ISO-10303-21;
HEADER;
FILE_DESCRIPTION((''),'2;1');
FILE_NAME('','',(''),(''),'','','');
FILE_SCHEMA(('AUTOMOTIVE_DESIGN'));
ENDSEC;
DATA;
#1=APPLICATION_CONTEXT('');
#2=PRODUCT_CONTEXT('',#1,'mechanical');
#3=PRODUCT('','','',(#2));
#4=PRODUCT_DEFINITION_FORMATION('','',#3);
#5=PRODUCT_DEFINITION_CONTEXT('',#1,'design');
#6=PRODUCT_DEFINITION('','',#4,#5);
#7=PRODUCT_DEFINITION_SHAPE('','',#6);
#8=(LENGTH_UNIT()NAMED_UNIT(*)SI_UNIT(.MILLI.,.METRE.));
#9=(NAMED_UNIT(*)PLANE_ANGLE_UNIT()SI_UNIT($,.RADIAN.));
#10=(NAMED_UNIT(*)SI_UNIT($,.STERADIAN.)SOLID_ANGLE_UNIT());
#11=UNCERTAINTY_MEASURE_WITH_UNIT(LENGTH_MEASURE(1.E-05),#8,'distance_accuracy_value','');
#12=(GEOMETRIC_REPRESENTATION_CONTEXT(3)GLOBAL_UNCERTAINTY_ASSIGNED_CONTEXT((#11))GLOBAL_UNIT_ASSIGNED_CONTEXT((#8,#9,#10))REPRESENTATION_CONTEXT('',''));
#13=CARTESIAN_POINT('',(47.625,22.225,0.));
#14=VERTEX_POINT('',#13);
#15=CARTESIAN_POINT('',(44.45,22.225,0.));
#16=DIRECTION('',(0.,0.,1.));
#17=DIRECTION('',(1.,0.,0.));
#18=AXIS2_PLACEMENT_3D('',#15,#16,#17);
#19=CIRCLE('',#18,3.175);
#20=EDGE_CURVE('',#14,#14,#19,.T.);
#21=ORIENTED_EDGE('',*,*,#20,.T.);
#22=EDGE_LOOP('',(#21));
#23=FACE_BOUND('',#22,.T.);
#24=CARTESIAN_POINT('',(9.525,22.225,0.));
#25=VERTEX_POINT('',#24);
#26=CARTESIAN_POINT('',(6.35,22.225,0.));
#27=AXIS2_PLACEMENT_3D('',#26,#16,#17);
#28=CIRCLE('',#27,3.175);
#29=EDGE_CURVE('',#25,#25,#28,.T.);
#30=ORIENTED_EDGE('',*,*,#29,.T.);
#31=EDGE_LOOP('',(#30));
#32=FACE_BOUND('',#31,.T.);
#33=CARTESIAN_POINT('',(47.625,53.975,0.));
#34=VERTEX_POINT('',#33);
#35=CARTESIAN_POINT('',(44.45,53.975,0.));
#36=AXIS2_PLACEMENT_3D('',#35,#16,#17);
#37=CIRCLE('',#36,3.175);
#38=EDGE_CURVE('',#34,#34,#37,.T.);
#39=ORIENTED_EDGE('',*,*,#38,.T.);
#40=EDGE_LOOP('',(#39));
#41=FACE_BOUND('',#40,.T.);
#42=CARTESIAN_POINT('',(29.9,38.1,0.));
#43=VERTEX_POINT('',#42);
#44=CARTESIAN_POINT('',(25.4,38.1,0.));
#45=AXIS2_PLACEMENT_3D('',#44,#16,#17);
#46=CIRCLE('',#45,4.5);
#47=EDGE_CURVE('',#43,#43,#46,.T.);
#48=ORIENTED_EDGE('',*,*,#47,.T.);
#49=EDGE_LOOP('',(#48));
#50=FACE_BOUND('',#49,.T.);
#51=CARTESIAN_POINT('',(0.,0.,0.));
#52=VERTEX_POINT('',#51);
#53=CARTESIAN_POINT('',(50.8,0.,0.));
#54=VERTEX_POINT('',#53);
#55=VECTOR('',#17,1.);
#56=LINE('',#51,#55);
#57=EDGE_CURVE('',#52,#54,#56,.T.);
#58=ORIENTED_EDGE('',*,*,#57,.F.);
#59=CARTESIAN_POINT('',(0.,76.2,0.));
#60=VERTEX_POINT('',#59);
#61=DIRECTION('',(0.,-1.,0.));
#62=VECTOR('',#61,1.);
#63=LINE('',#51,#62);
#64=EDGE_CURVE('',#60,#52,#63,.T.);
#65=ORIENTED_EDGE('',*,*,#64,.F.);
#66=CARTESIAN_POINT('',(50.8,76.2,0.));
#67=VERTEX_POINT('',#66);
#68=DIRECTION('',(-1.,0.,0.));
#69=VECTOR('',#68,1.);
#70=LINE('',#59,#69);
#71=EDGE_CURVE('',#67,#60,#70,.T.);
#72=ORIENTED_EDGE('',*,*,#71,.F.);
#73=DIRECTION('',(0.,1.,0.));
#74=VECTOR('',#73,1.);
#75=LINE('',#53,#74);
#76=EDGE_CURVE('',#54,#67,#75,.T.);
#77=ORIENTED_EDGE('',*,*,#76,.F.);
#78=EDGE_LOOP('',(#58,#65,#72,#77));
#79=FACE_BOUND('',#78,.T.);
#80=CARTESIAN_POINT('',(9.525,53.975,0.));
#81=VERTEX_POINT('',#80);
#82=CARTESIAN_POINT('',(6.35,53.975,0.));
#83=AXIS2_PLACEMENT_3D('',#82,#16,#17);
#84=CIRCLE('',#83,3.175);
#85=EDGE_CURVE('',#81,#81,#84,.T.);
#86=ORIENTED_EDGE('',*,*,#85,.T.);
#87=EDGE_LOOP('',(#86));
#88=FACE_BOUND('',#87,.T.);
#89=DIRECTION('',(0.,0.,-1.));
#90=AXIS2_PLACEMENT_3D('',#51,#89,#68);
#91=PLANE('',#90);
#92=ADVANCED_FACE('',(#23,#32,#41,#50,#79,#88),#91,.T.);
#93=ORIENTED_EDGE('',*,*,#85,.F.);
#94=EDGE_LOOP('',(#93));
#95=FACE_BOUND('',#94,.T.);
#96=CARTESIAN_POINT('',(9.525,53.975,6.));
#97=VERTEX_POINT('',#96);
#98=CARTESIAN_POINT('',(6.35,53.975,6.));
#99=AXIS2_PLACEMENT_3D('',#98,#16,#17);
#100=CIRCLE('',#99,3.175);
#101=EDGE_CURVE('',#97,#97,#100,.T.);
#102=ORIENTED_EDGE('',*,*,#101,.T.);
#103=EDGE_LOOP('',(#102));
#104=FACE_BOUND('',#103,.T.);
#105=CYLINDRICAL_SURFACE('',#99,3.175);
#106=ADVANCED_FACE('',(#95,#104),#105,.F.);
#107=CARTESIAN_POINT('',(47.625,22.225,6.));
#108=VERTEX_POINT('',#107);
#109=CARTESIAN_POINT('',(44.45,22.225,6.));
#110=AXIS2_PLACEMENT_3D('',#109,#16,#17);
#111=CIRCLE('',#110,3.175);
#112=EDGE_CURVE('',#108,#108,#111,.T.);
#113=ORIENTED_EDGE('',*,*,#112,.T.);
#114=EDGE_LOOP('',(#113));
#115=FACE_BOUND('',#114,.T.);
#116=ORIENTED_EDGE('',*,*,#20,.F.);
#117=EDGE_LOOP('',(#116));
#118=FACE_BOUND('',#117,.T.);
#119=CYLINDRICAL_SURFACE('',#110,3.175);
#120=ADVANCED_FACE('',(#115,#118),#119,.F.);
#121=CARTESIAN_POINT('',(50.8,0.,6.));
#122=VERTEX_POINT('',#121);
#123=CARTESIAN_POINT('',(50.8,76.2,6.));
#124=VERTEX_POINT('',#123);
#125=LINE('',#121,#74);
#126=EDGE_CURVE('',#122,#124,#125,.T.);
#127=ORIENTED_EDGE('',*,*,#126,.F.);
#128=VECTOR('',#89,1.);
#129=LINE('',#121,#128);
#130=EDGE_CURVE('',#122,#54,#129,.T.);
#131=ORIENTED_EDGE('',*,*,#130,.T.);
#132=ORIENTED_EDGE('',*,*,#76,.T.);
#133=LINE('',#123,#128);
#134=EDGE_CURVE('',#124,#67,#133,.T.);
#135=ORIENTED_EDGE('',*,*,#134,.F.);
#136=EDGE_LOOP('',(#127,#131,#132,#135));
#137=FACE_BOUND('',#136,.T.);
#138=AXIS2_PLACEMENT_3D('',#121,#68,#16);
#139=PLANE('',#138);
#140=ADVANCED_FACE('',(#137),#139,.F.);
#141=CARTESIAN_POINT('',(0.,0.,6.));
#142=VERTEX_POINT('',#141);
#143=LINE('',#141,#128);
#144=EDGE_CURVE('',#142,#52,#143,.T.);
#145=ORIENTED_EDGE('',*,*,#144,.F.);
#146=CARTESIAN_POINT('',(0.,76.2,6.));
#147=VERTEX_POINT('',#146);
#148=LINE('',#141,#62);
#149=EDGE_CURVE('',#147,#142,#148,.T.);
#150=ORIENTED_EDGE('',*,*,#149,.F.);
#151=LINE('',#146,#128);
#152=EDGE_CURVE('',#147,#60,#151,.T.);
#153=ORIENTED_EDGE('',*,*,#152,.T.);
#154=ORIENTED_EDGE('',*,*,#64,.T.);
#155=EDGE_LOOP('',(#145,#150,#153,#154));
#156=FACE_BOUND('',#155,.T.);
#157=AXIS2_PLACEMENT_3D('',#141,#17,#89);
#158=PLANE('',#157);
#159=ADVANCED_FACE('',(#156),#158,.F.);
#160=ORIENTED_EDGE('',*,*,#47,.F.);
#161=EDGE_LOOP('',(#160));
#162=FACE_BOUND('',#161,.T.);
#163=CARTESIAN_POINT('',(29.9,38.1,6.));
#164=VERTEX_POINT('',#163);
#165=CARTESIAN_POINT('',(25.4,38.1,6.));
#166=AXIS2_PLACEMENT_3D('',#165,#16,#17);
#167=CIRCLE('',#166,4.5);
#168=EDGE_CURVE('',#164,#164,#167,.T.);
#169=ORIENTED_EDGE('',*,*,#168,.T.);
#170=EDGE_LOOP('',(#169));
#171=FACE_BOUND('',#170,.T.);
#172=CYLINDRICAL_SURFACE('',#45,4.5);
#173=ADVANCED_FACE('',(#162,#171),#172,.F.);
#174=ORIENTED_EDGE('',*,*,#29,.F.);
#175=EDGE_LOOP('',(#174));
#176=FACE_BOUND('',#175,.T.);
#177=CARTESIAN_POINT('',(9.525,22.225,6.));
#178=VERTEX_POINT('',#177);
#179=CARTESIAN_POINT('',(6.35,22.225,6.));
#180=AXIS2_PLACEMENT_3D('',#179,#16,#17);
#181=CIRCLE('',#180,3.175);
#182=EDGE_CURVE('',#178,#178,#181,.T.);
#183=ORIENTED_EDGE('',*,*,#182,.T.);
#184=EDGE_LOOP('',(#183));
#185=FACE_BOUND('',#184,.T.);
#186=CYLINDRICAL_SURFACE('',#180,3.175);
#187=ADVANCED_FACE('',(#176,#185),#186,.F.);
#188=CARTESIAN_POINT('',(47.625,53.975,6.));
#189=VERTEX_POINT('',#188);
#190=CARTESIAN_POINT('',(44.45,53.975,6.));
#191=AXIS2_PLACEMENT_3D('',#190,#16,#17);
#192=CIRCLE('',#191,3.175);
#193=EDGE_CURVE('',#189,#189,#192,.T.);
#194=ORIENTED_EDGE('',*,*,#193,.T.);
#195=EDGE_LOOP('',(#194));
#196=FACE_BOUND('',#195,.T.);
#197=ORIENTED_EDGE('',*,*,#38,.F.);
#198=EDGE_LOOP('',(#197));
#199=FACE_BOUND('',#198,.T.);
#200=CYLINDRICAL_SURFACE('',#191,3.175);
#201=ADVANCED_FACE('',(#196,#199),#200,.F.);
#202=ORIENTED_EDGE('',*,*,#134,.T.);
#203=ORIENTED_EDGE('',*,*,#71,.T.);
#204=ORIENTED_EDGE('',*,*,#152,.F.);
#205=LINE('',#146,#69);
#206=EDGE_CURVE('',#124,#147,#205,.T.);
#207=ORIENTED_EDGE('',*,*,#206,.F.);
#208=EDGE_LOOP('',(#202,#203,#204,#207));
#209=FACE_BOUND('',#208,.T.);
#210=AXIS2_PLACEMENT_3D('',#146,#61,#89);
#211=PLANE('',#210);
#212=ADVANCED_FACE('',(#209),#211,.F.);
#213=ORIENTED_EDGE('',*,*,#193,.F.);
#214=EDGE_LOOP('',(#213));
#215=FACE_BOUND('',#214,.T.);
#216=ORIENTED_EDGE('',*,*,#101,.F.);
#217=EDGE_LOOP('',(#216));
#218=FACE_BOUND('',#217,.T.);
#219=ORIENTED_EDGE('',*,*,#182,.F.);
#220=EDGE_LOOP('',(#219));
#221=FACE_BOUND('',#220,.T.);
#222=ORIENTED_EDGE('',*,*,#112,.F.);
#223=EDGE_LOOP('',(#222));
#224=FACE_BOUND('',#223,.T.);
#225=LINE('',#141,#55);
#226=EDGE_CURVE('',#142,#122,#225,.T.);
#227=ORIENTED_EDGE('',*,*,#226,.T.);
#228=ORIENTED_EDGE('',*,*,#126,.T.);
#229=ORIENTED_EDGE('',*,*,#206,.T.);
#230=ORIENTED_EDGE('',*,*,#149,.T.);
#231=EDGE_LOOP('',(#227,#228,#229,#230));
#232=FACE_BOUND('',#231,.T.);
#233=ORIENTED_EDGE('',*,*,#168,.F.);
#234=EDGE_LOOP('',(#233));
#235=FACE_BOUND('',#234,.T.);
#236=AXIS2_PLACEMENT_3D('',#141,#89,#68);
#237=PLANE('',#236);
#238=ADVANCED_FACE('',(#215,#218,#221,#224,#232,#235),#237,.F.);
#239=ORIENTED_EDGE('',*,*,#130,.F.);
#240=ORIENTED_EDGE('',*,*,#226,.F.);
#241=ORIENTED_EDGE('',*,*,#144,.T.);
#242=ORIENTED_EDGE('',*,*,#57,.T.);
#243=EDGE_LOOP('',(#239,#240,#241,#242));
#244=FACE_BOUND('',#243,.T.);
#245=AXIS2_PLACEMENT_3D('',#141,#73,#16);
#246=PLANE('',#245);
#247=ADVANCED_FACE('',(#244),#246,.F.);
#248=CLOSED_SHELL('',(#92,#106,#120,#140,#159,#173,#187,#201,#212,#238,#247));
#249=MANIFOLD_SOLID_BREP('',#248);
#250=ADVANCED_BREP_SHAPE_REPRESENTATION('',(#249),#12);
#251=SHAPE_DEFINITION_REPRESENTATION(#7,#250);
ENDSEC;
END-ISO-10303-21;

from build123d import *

# Parameters (mm, degrees)
SKETCH1_W                   = 50.8
SKETCH1_H                   = 76.2
BOSS_EXTRUDE1_DEPTH         = 6
F_1_4_0_25_DIAMETER_HOLE1_D = 6.35
SKETCH5_R                   = 4.5
CUT_EXTRUDE1_DEPTH          = 7


with BuildPart() as part:
    # Sketch1 → Boss-Extrude1 (new body)
    with BuildSketch(Plane.XY):
        with Locations((25.4, 38.1)):
            Rectangle(SKETCH1_W, SKETCH1_H)
    extrude(amount=BOSS_EXTRUDE1_DEPTH)

    # 1/4 (0.25) Diameter Hole1 (through all)
    with Locations(Plane.XY.offset(6)):
        with Locations((44.45, 53.975), (6.35, 53.975), (6.35, 22.225), (44.45, 22.225)):
            Hole(F_1_4_0_25_DIAMETER_HOLE1_D / 2)

    # Sketch5 → Cut-Extrude1 (cut, through all)
    with BuildSketch(Plane.XY.offset(6)):
        with Locations((25.4, 38.1)):
            Circle(SKETCH5_R)
    extrude(amount=-CUT_EXTRUDE1_DEPTH, mode=Mode.SUBTRACT)


solid = part.part
